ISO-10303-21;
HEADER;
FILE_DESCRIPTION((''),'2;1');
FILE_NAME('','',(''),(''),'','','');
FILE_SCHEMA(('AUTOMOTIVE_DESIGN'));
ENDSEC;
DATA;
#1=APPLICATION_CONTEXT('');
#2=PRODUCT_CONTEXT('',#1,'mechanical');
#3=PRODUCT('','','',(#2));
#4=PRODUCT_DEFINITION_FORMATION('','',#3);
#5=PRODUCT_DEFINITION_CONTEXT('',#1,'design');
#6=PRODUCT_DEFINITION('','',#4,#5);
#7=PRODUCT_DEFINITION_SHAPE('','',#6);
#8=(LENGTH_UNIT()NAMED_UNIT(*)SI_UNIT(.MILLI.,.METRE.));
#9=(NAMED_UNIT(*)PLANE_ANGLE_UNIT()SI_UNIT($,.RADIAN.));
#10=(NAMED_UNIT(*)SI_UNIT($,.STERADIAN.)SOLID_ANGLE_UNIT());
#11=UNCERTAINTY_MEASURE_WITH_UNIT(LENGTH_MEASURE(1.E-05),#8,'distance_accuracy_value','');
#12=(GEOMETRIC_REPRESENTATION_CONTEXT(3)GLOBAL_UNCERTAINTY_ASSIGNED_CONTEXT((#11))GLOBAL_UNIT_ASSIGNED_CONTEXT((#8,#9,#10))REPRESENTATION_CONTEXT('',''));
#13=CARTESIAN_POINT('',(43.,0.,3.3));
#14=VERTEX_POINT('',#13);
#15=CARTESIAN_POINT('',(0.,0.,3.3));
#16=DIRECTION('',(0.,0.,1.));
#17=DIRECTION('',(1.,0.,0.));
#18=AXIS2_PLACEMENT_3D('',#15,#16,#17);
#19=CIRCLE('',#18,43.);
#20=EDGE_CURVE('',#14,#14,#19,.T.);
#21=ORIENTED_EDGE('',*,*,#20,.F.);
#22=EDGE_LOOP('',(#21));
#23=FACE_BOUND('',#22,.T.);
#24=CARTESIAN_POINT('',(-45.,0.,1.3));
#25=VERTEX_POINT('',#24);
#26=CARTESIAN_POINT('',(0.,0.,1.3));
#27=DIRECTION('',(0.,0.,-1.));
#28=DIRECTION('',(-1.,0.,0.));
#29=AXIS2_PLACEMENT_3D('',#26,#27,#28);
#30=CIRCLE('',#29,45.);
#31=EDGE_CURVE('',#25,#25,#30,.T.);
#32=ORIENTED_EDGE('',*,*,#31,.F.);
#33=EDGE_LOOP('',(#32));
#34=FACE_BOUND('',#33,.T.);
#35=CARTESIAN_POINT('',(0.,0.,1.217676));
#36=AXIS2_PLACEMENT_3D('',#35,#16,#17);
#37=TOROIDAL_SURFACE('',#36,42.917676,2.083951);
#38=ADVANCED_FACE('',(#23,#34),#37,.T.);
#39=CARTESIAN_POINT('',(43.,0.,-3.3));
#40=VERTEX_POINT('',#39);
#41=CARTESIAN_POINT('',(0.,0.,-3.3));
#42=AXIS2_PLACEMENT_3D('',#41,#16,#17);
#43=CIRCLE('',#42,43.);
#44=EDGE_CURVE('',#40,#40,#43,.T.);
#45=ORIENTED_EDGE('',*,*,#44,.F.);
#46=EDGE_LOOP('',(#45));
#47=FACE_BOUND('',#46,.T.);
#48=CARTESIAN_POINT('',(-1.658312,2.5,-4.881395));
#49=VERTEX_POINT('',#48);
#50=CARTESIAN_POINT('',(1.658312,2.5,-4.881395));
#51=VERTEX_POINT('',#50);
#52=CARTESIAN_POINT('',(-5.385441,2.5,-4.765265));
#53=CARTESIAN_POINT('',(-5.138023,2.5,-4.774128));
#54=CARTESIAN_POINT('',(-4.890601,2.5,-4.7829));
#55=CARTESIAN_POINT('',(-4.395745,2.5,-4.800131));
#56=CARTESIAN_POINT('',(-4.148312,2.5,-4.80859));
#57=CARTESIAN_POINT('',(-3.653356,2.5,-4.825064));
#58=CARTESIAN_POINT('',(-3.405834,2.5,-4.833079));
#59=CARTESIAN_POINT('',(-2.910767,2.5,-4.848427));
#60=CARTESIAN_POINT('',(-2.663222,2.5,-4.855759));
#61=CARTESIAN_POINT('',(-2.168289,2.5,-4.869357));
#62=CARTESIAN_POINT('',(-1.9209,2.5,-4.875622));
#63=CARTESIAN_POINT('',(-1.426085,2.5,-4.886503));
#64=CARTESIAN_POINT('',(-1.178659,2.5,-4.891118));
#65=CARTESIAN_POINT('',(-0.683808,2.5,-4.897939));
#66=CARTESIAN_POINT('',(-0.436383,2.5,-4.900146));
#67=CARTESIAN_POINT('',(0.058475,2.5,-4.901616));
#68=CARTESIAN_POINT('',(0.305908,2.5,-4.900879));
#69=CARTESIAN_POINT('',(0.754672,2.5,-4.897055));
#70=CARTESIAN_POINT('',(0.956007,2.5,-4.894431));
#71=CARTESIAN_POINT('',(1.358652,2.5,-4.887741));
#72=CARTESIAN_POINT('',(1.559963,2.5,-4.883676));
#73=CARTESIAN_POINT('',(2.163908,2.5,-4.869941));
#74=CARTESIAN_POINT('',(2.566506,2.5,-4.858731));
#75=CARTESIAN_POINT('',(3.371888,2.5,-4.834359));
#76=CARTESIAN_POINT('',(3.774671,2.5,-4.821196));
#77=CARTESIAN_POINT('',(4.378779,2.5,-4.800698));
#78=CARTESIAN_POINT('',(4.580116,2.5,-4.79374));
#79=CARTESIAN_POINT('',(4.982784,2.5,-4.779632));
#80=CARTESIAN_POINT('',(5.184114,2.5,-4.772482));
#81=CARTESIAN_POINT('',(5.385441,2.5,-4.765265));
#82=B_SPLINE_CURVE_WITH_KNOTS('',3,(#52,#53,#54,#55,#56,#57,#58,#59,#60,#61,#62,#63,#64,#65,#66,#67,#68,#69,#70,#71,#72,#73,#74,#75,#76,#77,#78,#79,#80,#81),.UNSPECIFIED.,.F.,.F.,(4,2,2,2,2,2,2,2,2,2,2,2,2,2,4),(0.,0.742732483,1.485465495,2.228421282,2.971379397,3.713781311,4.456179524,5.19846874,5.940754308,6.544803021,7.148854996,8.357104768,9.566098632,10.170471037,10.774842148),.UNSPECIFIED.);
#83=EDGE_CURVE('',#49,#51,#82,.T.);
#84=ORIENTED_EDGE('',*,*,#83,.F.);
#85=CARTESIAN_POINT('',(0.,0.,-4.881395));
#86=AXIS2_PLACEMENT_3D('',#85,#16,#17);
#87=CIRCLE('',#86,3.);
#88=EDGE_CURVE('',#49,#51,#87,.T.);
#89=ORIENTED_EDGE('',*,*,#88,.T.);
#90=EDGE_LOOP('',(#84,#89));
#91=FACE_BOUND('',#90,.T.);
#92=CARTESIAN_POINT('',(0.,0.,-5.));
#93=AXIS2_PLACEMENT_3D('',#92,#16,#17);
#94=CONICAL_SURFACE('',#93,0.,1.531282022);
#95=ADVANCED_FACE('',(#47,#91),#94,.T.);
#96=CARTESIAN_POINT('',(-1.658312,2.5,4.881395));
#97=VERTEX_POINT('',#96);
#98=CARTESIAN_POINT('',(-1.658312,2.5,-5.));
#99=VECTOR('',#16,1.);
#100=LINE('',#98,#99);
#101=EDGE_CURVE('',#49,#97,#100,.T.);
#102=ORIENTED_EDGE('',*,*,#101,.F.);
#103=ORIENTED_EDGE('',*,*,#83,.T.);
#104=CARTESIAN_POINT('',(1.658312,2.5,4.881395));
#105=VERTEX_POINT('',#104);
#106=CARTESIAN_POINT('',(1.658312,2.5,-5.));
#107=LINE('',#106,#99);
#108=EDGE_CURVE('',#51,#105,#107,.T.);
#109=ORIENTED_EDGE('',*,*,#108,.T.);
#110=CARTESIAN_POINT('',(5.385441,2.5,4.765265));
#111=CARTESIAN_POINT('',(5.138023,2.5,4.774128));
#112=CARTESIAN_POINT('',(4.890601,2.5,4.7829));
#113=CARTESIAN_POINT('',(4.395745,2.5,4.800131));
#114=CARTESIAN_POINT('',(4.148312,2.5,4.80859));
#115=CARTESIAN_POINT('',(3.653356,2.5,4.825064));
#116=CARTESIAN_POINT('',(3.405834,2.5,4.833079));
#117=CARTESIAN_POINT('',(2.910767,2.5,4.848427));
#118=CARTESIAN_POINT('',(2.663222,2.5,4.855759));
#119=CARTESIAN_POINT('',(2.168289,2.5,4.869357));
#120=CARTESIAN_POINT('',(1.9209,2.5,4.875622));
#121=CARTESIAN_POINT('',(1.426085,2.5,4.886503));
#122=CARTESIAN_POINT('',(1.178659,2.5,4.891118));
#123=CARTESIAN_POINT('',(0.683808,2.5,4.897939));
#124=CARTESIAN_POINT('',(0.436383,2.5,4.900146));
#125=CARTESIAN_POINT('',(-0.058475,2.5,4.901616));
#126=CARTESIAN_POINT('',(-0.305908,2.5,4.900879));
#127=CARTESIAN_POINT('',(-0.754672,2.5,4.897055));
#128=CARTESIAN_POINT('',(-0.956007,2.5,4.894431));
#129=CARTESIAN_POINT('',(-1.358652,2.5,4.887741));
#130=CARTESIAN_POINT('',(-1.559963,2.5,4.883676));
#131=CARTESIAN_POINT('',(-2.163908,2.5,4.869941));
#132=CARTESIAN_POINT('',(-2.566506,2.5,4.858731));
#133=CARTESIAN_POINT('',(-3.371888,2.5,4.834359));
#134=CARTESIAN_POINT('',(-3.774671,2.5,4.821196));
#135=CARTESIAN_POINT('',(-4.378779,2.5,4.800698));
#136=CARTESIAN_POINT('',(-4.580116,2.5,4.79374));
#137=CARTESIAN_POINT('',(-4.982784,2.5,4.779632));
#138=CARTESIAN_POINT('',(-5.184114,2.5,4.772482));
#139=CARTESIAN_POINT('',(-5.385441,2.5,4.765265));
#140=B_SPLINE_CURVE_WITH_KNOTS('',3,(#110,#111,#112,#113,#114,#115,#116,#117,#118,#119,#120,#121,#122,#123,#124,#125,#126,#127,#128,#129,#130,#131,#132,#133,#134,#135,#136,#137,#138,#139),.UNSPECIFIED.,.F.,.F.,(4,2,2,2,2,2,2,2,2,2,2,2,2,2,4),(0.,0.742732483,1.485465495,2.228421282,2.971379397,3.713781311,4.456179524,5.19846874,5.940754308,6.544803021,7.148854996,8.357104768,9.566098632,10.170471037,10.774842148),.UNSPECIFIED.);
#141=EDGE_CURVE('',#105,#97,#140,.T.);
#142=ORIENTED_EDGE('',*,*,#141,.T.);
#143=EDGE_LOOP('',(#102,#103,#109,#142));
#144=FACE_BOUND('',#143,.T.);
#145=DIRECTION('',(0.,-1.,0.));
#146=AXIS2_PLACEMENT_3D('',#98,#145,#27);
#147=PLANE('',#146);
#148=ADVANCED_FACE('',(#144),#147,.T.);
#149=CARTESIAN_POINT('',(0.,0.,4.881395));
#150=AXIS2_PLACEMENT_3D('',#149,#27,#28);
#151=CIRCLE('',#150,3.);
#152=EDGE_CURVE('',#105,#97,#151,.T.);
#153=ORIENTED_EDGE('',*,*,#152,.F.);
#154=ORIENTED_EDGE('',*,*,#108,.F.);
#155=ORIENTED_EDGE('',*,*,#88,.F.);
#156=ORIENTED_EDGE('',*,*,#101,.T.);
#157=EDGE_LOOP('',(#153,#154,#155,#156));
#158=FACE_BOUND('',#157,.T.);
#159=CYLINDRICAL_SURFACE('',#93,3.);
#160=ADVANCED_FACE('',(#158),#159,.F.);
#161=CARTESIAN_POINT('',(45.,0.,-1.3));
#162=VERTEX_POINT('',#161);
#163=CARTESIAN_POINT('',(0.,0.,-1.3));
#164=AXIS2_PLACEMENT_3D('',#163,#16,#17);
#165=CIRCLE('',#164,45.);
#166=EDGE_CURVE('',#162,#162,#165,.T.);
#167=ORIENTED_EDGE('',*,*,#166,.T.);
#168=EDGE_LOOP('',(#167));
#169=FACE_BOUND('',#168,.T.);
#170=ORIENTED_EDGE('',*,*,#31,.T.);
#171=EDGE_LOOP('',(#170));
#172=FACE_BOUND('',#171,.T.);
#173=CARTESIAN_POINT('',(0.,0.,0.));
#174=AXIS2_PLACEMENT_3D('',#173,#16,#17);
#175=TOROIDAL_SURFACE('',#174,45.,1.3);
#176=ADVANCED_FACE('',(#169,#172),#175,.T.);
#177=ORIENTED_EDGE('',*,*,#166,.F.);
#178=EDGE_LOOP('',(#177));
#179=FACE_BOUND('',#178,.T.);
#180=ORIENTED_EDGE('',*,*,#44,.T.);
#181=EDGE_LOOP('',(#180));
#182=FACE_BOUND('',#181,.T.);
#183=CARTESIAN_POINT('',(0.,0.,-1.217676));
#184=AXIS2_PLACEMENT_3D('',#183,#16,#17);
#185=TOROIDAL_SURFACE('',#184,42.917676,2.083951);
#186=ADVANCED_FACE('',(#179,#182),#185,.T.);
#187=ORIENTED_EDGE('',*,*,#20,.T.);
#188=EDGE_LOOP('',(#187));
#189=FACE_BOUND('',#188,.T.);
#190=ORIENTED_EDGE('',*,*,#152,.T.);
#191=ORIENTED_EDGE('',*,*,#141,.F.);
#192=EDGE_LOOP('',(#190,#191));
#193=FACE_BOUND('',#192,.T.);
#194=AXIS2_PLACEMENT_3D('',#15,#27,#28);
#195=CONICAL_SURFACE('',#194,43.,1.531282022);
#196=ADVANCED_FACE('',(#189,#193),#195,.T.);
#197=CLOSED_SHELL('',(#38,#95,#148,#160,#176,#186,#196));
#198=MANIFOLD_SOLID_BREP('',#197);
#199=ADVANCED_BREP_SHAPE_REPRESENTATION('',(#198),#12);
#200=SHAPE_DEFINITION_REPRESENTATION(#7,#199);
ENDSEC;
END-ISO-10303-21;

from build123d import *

# Parameters (mm, degrees)
ENL_V_MAT_EXTRU_3_DEPTH      = 64.835726674
ENL_V_MAT_EXTRU_3_DEPTH_BACK = 64.835726674
ESQUISSE4_R                  = 1.3


with BuildPart() as part:
    # Esquisse2 → Révolution1 (revolve)
    with BuildSketch(Plane(origin=(0, 0, 0), x_dir=(0, 0, -1), z_dir=(1, 0, 0)), mode=Mode.PRIVATE) as r_volution1_sk:
        with BuildLine():
            Line((5, 0), (-5, 0))
            Line((-5, 0), (-3.3, 43))
            ThreePointArc((-3.3, 43), (-2.691251544, 44.391251544), (-1.3, 45))
            ThreePointArc((-1.3, 45), (0, 43.7), (1.3, 45))
            ThreePointArc((1.3, 45), (2.691251544, 44.391251544), (3.3, 43))
            Line((3.3, 43), (5, 0))
        make_face()
    revolve(r_volution1_sk.sketch.rotate(Axis((0, 0, 77.254476924), (0, 0, -1)), 90), axis=Axis((0, 0, 77.254476924), (0, 0, -1)))

    # Esquisse3 → Enlèv. mat.-Extru.3 (cut, two sides: drawn at the far end of the back side and taken through both)
    with BuildSketch(Plane.XY.offset(-ENL_V_MAT_EXTRU_3_DEPTH_BACK)):
        with BuildLine():
            Line((-1.658312395, 2.5), (1.658312395, 2.5))
            ThreePointArc((1.658312395, 2.5), (0, -3), (-1.658312395, 2.5))
        make_face()
    extrude(amount=ENL_V_MAT_EXTRU_3_DEPTH + ENL_V_MAT_EXTRU_3_DEPTH_BACK, mode=Mode.SUBTRACT)

    # Esquisse4 → Révolution2 (revolve)
    with BuildSketch(Plane(origin=(0, 0, 0), x_dir=(0, 0, -1), z_dir=(1, 0, 0)), mode=Mode.PRIVATE) as r_volution2_sk:
        with Locations((0, 45)):
            Circle(ESQUISSE4_R)
    revolve(r_volution2_sk.sketch.rotate(Axis((0, 0, 0), (0, 0, -1)), 326.442690238), axis=Axis((0, 0, 0), (0, 0, -1)))


solid = part.part
